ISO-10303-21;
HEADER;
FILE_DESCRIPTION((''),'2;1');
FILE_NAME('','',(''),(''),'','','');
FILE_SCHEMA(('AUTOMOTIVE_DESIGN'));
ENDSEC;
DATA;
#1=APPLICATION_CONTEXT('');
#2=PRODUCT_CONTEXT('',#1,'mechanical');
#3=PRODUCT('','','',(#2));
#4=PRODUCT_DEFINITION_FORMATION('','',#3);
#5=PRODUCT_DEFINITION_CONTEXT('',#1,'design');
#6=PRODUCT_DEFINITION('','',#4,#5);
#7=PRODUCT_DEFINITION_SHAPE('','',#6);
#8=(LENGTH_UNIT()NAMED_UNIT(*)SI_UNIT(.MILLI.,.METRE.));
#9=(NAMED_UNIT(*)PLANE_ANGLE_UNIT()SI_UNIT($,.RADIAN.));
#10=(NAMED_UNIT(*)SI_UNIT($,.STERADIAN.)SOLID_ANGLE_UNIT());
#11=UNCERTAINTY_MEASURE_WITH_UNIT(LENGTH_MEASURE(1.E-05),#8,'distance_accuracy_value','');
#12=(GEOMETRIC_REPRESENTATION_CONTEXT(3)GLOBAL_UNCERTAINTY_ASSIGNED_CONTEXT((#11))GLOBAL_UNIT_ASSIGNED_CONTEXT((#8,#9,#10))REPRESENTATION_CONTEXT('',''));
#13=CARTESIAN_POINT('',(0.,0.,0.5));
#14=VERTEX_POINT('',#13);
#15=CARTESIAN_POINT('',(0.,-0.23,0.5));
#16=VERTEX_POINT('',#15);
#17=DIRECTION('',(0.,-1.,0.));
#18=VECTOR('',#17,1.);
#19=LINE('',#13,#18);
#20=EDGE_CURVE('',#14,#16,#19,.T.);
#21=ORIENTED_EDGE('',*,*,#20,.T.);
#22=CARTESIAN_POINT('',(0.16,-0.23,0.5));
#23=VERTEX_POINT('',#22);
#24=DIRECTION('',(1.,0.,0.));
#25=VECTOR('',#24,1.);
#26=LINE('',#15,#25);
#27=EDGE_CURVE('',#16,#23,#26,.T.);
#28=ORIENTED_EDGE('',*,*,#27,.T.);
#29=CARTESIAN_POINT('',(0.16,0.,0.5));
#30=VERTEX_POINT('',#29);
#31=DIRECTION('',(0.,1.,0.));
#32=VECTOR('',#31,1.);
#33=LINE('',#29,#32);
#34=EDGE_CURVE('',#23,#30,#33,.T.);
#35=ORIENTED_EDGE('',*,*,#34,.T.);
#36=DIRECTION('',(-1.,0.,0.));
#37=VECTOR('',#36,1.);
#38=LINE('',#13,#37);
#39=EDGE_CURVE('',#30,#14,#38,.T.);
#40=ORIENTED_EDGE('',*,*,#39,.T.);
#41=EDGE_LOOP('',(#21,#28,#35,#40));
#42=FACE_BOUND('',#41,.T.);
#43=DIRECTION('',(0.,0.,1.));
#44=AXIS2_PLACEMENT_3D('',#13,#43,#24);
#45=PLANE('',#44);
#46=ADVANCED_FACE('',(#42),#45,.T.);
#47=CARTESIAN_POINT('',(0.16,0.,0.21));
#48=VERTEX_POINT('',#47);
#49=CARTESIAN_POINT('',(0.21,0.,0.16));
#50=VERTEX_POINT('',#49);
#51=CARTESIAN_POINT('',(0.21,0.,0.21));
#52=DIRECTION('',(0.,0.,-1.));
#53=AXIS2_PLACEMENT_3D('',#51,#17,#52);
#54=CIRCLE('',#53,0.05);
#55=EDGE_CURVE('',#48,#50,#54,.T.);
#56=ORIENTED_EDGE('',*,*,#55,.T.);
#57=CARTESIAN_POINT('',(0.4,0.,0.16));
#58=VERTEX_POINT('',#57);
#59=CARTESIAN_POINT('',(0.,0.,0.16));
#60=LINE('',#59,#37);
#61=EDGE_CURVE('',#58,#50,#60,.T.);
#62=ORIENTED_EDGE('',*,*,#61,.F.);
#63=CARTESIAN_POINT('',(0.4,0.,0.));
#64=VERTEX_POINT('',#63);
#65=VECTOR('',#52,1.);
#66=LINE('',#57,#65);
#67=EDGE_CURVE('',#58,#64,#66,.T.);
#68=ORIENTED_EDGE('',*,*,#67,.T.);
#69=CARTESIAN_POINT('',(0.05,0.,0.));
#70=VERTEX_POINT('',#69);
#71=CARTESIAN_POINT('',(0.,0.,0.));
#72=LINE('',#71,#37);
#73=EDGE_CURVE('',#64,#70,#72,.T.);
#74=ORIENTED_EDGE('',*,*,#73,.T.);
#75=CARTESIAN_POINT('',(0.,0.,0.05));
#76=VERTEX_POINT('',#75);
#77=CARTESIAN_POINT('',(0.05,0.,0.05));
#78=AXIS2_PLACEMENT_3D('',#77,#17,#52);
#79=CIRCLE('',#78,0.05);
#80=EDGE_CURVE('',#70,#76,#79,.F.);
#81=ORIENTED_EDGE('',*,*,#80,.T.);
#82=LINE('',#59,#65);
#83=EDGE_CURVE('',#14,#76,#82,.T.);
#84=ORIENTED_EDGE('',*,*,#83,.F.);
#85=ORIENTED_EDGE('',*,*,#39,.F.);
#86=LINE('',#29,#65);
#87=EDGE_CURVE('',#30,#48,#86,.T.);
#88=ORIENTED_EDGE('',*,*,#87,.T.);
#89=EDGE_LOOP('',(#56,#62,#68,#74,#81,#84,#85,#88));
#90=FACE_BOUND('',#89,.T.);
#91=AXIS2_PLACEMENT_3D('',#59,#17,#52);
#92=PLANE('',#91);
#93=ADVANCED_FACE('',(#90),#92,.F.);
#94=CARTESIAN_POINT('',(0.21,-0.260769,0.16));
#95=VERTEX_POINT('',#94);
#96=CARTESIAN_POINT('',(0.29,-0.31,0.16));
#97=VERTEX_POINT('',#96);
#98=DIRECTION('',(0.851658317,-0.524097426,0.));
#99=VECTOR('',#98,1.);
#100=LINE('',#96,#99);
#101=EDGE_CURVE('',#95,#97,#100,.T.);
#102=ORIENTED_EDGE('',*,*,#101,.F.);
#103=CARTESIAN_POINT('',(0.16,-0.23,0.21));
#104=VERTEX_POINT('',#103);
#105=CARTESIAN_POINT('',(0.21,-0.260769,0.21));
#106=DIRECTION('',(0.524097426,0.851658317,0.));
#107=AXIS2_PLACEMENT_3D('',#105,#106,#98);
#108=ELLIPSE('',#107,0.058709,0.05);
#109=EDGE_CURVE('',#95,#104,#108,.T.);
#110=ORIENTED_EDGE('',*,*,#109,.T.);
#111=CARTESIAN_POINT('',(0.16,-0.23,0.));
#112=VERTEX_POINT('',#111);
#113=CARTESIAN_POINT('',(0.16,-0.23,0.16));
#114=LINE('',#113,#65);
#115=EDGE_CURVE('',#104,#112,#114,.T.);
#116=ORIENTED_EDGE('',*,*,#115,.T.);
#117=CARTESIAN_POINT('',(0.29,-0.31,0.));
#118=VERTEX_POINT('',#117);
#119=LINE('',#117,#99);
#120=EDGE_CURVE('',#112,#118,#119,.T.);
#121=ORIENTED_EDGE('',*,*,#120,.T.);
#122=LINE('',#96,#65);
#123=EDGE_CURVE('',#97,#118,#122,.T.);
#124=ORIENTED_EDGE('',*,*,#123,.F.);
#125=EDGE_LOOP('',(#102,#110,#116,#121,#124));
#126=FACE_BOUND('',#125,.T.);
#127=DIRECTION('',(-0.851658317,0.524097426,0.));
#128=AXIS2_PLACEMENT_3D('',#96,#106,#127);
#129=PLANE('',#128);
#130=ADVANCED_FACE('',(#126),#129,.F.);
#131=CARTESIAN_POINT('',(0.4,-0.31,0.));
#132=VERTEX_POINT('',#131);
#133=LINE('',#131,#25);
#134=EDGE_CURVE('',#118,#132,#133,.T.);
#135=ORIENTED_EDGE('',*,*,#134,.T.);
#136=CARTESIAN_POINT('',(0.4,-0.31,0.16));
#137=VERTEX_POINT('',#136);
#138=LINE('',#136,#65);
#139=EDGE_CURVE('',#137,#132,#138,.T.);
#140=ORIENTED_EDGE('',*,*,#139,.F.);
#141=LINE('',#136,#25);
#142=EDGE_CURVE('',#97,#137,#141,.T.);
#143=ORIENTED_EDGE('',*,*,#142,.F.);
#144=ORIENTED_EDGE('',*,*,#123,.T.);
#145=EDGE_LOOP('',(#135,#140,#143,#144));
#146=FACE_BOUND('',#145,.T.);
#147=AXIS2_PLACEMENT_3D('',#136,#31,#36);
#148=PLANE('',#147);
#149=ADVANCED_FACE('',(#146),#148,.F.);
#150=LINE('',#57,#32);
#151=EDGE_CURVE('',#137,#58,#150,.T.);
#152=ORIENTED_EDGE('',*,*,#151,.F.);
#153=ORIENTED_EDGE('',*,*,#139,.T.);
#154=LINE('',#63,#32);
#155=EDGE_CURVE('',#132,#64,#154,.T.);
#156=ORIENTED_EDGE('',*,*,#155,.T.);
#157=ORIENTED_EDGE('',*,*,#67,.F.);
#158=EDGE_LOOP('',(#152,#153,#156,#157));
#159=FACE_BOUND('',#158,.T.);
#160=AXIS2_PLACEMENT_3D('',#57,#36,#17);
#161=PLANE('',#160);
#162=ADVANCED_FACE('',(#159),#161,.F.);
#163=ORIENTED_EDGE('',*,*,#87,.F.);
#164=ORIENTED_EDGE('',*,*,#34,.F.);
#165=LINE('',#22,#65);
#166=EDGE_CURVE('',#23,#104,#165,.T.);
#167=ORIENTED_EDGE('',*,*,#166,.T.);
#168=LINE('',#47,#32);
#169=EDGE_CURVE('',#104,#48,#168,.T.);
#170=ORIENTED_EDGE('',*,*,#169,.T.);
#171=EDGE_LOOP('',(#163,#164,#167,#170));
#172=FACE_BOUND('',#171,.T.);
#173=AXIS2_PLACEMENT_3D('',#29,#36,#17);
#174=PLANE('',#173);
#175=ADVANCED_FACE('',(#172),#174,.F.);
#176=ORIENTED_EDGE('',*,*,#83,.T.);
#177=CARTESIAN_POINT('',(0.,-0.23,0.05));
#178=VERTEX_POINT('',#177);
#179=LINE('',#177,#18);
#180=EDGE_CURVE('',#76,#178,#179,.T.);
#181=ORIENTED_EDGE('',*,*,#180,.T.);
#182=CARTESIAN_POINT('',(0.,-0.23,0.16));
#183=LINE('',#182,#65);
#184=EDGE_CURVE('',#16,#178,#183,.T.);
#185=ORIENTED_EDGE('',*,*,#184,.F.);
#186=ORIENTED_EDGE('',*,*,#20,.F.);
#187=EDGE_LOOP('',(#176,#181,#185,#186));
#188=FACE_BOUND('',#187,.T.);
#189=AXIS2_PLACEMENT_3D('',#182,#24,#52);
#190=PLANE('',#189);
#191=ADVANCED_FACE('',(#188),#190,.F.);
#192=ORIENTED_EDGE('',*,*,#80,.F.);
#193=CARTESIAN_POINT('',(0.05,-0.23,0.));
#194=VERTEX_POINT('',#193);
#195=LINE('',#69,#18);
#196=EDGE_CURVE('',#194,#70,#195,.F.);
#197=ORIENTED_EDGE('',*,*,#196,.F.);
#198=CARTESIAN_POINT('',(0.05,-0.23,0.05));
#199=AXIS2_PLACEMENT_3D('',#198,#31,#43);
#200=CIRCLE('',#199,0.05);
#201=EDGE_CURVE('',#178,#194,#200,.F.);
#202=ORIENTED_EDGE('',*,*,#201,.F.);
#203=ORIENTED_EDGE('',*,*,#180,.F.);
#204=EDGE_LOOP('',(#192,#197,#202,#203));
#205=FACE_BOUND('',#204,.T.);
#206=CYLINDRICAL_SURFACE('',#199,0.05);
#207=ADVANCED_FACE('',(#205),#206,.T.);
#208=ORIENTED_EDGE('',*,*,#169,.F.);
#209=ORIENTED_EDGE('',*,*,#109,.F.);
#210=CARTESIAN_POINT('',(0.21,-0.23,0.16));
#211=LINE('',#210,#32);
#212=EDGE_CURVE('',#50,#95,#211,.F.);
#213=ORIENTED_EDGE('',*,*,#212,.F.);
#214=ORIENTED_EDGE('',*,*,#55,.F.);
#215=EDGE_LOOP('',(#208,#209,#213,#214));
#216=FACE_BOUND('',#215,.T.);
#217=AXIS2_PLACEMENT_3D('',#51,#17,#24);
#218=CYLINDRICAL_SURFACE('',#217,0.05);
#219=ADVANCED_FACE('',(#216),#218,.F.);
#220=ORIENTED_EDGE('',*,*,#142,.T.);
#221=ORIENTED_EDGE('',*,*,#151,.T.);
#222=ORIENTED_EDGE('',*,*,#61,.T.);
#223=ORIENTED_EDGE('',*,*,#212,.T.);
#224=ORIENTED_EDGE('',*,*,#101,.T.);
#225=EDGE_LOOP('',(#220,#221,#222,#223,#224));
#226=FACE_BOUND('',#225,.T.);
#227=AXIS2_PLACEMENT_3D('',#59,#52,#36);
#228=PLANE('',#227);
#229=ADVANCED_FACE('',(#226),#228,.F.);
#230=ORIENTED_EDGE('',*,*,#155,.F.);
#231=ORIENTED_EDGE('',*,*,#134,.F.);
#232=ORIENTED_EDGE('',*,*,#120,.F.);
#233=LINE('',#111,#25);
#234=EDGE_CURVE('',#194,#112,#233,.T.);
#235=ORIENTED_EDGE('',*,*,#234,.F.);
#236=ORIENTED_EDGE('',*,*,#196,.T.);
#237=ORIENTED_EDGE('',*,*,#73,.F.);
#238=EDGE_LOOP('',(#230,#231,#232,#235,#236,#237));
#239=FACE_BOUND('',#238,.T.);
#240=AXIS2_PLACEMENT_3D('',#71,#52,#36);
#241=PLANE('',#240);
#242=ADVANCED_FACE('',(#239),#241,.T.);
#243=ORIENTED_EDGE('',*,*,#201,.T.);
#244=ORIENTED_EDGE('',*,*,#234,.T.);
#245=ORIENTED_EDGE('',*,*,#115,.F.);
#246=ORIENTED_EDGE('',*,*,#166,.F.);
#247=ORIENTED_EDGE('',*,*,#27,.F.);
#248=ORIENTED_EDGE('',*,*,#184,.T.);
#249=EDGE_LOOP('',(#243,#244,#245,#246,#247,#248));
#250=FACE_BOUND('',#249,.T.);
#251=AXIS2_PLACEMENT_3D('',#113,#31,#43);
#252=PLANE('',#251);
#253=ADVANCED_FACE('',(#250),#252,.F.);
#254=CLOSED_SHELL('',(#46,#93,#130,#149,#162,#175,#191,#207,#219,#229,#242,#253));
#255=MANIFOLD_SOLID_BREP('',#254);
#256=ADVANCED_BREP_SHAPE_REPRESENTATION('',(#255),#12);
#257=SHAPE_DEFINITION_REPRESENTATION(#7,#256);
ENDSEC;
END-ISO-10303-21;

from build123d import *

# Parameters (mm, degrees)
EXTRUDE_1_DEPTH = 0.16
SKETCH_2_W      = 0.16
SKETCH_2_H      = 0.23
EXTRUDE_2_DEPTH = 0.34
FILLET_1_R      = 0.05
FILLET_2_R      = 0.05


with BuildPart() as part:
    # 草图1 → 凸台-拉伸1 (new body)
    with BuildSketch(Plane.XY):
        Polygon((0, 0), (0.4, 0), (0.4, -0.31), (0.29, -0.31), (0.16, -0.23), (0, -0.23), align=None)
    extrude(amount=EXTRUDE_1_DEPTH)

    # 草图2 → 凸台-拉伸2 (add)
    with BuildSketch(Plane.XY.offset(0.16)):
        with Locations((0.08, -0.115)):
            Rectangle(SKETCH_2_W, SKETCH_2_H)
    extrude(amount=EXTRUDE_2_DEPTH)

    # 圆角1
    fillet_1_edges = [part.edges().sort_by_distance(p)[0] for p in [
        (0, -0.115, 0),
    ]]
    fillet(fillet_1_edges, radius=FILLET_1_R)

    # 圆角2
    fillet_2_edges = [part.edges().sort_by_distance(p)[0] for p in [
        (0.16, -0.115, 0.16),
    ]]
    fillet(fillet_2_edges, radius=FILLET_2_R)


solid = part.part
